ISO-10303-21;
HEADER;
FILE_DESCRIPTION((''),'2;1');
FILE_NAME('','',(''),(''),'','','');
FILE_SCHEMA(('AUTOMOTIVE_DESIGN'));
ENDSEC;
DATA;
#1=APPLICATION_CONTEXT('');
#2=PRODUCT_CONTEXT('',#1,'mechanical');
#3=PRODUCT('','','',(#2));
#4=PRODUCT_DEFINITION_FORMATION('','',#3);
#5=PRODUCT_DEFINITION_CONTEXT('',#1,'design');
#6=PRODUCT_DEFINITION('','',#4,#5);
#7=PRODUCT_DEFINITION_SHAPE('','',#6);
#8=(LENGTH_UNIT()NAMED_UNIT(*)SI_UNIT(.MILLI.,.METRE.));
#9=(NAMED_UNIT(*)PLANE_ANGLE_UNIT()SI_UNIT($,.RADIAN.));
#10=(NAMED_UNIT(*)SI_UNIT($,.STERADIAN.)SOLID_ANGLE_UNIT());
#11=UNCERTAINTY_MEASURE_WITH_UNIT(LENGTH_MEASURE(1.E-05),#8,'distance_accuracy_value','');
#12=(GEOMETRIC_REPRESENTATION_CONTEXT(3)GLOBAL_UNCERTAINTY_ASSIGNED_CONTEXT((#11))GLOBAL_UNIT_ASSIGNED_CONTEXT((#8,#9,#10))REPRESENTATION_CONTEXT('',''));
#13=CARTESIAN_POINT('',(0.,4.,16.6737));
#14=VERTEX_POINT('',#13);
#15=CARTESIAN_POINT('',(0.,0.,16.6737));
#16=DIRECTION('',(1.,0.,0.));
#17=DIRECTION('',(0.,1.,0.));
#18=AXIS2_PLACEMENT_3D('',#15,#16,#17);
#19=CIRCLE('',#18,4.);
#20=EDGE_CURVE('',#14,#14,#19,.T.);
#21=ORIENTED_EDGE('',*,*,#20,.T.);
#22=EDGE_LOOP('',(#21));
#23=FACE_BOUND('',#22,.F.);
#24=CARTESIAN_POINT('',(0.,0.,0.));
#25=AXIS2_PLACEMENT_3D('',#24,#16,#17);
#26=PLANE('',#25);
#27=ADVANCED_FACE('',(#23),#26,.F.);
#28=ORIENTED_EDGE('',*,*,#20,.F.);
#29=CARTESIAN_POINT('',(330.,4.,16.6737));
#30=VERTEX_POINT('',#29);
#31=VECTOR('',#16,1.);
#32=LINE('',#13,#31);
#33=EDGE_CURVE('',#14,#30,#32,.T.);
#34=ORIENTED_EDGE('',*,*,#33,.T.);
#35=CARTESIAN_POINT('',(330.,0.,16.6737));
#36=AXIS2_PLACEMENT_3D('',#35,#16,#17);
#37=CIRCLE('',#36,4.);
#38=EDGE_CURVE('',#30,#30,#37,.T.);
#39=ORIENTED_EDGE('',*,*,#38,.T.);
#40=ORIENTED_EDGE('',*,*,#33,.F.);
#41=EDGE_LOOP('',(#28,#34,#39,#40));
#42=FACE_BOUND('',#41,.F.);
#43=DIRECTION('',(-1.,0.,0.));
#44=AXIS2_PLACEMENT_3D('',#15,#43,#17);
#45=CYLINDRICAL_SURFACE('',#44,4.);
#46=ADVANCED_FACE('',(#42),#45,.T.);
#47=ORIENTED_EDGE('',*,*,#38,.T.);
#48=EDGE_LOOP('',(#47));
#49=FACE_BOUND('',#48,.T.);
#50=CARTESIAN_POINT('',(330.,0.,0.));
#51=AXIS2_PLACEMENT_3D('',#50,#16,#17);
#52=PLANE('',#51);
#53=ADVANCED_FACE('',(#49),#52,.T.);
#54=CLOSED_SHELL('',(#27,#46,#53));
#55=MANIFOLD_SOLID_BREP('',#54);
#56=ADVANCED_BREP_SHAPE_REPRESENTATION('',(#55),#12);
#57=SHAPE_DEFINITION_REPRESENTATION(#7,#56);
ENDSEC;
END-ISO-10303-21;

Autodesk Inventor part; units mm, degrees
ref_plane "YZ Plane" through (0, 0, 0) normal (1, 0, 0) x (0, 1, 0)
ref_plane "XZ Plane" through (0, 0, 0) normal (0, 1, 0) x (-1, 0, 0)
ref_plane "XY Plane" through (0, 0, 0) normal (0, 0, 1) x (1, 0, 0)
sketch "Sketch1" plane through (0, 0, 0) normal (1, 0, 0) x (0, 1, 0)
  circle A0 centre (0, 16.6737) radius 4
  point P0 (0, 0)
  dimension "d0" = 8
  dimension "d0" = 8
extrude "Extrusion1" add sketch "Sketch1" along normal blind 330
properties part number "8mm shaft"
